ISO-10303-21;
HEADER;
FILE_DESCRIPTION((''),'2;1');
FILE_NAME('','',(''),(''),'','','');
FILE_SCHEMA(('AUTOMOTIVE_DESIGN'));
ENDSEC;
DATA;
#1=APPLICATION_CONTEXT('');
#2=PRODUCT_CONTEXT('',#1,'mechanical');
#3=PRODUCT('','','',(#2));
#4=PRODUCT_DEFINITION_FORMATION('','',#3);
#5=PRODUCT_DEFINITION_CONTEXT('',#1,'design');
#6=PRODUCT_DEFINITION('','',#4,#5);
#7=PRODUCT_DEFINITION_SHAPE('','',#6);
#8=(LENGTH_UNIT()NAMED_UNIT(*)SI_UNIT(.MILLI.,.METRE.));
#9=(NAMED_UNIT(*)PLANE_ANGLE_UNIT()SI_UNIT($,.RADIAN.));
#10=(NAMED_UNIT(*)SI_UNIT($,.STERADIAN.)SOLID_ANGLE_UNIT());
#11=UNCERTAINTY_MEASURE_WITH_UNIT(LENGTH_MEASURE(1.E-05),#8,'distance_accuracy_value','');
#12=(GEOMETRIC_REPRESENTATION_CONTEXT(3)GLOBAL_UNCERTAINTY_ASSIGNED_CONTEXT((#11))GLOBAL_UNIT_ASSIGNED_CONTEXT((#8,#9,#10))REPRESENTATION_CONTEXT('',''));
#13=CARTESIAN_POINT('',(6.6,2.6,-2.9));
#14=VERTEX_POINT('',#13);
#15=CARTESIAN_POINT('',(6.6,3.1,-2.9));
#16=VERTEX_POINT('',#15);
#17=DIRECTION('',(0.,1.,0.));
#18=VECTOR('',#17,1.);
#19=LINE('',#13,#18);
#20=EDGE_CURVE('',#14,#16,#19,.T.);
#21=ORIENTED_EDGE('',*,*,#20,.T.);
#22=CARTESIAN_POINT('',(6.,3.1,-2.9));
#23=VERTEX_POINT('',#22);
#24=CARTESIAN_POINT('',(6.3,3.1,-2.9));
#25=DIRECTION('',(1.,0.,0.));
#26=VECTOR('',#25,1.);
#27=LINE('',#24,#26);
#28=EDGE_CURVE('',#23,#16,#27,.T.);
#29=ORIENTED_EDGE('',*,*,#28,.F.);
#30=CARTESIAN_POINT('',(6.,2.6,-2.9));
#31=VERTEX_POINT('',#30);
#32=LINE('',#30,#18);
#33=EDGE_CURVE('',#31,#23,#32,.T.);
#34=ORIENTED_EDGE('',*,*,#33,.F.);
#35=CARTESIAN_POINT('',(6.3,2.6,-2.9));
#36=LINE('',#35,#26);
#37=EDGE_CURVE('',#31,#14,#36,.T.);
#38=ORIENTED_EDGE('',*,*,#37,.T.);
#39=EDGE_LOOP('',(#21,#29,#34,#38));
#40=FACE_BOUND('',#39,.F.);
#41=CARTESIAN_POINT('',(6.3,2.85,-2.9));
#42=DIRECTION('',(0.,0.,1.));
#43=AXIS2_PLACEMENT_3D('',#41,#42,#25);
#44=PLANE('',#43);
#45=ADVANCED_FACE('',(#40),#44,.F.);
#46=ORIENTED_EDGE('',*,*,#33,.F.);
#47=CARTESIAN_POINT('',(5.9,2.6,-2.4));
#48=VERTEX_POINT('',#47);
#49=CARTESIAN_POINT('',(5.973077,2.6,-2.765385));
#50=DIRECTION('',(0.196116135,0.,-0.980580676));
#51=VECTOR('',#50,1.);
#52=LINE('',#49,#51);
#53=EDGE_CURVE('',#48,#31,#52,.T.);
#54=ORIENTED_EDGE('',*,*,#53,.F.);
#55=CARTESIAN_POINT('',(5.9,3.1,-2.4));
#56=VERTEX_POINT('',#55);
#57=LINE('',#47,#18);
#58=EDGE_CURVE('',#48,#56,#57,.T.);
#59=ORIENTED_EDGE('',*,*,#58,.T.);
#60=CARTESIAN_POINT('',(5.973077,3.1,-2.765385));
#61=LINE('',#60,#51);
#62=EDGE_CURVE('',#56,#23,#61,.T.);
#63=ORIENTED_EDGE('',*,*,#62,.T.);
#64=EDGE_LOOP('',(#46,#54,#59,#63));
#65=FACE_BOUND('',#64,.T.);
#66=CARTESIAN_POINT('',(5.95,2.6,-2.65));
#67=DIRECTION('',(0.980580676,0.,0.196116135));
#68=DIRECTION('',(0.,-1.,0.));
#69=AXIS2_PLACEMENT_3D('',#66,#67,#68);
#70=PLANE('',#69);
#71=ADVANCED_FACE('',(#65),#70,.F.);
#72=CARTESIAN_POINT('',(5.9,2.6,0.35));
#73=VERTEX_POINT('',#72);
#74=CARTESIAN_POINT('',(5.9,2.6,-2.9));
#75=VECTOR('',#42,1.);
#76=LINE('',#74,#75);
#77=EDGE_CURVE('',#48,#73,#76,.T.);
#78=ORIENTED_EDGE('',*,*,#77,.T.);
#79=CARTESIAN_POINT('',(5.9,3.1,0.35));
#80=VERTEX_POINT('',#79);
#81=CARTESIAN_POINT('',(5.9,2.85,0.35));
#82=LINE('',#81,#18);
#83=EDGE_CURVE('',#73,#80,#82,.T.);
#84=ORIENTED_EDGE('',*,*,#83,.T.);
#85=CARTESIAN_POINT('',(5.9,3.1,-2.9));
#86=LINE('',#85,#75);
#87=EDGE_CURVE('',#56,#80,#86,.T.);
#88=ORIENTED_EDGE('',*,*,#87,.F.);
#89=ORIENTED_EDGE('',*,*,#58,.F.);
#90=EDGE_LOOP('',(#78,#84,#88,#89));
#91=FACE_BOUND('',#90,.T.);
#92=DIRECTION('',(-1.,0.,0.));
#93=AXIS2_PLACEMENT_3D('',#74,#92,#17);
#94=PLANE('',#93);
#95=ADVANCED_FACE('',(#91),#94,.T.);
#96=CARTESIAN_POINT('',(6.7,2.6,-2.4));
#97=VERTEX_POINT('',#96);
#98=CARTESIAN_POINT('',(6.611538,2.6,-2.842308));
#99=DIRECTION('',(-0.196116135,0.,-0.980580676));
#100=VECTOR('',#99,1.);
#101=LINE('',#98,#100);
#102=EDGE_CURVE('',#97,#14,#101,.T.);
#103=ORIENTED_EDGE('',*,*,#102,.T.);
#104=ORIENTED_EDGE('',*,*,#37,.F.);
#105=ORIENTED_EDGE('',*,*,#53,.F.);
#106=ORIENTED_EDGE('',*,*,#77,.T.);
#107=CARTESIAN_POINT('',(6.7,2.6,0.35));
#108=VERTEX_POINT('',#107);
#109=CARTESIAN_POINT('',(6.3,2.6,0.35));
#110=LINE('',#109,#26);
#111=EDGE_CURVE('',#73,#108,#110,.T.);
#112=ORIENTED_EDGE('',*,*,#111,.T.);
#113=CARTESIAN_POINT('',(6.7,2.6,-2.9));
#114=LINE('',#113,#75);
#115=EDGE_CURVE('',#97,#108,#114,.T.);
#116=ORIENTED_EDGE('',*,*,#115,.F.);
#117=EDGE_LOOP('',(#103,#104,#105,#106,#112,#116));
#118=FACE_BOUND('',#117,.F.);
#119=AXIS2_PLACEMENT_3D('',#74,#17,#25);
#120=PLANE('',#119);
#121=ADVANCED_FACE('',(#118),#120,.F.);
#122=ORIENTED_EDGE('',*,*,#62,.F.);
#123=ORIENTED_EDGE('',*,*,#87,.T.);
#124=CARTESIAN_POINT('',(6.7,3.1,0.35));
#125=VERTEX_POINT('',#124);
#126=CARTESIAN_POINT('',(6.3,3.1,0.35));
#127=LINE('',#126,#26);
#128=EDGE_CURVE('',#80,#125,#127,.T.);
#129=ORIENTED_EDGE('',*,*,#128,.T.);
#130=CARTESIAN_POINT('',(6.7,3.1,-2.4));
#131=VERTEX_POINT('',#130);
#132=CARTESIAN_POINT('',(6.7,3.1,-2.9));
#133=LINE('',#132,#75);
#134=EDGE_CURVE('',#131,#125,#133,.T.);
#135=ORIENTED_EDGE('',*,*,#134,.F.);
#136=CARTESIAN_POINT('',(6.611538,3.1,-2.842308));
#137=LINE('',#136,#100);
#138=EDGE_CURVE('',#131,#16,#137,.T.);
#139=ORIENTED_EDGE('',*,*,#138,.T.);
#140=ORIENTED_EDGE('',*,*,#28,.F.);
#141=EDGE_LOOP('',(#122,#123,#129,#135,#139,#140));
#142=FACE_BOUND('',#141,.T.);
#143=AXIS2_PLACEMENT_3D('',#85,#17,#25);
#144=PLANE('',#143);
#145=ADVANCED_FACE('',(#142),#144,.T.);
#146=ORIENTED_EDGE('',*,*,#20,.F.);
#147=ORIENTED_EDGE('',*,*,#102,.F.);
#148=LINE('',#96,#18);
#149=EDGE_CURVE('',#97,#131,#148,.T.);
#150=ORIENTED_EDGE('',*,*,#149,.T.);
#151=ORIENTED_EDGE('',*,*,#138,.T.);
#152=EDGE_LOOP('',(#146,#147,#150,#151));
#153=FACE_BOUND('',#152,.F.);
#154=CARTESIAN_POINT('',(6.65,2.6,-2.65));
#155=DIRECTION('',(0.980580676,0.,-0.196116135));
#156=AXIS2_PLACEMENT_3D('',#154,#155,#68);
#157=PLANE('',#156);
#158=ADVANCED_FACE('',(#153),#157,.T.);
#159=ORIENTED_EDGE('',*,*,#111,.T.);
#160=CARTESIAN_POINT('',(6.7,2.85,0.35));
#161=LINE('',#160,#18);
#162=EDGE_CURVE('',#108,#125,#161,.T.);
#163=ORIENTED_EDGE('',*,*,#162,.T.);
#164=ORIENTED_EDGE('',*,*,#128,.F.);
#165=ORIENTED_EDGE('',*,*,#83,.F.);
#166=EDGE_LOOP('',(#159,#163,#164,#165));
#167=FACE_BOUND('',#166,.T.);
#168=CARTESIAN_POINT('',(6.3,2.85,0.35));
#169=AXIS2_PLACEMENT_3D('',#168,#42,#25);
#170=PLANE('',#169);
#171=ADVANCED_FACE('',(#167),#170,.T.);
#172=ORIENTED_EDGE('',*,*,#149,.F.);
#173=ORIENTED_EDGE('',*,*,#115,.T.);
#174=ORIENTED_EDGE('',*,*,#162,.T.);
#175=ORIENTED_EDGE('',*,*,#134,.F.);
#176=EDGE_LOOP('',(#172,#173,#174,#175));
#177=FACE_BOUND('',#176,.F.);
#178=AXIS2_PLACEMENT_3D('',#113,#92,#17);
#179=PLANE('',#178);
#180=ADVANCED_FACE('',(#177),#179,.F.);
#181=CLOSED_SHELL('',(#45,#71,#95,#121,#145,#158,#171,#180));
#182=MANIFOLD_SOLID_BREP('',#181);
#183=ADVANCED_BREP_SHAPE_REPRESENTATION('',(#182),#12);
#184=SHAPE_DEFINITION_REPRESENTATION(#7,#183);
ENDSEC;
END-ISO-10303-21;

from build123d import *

# Parameters (mm, degrees)
BOX010_W           = 0.8
BOX010_H           = 0.5
BOX010_DEPTH       = 3.25
CHAMFER001_1_SIZE2 = 0.1
CHAMFER001_1_SIZE  = 0.5
CHAMFER001_2_SIZE2 = 0.1
CHAMFER001_2_SIZE  = 0.5


with BuildPart() as part:
    # Box010 → Box010 (new body)
    with BuildSketch(Plane(origin=(5.9, 2.6, -2.9), x_dir=(1, 0, 0), z_dir=(0, 0, 1))):
        with Locations((0.4, 0.25)):
            Rectangle(BOX010_W, BOX010_H)
    extrude(amount=BOX010_DEPTH)

    # Chamfer001 1
    chamfer001_1_edges = [part.edges().sort_by_distance(p)[0] for p in [
        (6.7, 2.85, -2.9),
    ]]
    chamfer001_1_side = part.faces().sort_by_distance((6.7, 2.85, -1.275))[0]
    chamfer(chamfer001_1_edges, length=CHAMFER001_1_SIZE, length2=CHAMFER001_1_SIZE2, reference=chamfer001_1_side)

    # Chamfer001 2
    chamfer001_2_edges = [part.edges().sort_by_distance(p)[0] for p in [
        (5.9, 2.85, -2.9),
    ]]
    chamfer001_2_side = part.faces().sort_by_distance((5.9, 2.85, -1.275))[0]
    chamfer(chamfer001_2_edges, length=CHAMFER001_2_SIZE, length2=CHAMFER001_2_SIZE2, reference=chamfer001_2_side)


solid = part.part
